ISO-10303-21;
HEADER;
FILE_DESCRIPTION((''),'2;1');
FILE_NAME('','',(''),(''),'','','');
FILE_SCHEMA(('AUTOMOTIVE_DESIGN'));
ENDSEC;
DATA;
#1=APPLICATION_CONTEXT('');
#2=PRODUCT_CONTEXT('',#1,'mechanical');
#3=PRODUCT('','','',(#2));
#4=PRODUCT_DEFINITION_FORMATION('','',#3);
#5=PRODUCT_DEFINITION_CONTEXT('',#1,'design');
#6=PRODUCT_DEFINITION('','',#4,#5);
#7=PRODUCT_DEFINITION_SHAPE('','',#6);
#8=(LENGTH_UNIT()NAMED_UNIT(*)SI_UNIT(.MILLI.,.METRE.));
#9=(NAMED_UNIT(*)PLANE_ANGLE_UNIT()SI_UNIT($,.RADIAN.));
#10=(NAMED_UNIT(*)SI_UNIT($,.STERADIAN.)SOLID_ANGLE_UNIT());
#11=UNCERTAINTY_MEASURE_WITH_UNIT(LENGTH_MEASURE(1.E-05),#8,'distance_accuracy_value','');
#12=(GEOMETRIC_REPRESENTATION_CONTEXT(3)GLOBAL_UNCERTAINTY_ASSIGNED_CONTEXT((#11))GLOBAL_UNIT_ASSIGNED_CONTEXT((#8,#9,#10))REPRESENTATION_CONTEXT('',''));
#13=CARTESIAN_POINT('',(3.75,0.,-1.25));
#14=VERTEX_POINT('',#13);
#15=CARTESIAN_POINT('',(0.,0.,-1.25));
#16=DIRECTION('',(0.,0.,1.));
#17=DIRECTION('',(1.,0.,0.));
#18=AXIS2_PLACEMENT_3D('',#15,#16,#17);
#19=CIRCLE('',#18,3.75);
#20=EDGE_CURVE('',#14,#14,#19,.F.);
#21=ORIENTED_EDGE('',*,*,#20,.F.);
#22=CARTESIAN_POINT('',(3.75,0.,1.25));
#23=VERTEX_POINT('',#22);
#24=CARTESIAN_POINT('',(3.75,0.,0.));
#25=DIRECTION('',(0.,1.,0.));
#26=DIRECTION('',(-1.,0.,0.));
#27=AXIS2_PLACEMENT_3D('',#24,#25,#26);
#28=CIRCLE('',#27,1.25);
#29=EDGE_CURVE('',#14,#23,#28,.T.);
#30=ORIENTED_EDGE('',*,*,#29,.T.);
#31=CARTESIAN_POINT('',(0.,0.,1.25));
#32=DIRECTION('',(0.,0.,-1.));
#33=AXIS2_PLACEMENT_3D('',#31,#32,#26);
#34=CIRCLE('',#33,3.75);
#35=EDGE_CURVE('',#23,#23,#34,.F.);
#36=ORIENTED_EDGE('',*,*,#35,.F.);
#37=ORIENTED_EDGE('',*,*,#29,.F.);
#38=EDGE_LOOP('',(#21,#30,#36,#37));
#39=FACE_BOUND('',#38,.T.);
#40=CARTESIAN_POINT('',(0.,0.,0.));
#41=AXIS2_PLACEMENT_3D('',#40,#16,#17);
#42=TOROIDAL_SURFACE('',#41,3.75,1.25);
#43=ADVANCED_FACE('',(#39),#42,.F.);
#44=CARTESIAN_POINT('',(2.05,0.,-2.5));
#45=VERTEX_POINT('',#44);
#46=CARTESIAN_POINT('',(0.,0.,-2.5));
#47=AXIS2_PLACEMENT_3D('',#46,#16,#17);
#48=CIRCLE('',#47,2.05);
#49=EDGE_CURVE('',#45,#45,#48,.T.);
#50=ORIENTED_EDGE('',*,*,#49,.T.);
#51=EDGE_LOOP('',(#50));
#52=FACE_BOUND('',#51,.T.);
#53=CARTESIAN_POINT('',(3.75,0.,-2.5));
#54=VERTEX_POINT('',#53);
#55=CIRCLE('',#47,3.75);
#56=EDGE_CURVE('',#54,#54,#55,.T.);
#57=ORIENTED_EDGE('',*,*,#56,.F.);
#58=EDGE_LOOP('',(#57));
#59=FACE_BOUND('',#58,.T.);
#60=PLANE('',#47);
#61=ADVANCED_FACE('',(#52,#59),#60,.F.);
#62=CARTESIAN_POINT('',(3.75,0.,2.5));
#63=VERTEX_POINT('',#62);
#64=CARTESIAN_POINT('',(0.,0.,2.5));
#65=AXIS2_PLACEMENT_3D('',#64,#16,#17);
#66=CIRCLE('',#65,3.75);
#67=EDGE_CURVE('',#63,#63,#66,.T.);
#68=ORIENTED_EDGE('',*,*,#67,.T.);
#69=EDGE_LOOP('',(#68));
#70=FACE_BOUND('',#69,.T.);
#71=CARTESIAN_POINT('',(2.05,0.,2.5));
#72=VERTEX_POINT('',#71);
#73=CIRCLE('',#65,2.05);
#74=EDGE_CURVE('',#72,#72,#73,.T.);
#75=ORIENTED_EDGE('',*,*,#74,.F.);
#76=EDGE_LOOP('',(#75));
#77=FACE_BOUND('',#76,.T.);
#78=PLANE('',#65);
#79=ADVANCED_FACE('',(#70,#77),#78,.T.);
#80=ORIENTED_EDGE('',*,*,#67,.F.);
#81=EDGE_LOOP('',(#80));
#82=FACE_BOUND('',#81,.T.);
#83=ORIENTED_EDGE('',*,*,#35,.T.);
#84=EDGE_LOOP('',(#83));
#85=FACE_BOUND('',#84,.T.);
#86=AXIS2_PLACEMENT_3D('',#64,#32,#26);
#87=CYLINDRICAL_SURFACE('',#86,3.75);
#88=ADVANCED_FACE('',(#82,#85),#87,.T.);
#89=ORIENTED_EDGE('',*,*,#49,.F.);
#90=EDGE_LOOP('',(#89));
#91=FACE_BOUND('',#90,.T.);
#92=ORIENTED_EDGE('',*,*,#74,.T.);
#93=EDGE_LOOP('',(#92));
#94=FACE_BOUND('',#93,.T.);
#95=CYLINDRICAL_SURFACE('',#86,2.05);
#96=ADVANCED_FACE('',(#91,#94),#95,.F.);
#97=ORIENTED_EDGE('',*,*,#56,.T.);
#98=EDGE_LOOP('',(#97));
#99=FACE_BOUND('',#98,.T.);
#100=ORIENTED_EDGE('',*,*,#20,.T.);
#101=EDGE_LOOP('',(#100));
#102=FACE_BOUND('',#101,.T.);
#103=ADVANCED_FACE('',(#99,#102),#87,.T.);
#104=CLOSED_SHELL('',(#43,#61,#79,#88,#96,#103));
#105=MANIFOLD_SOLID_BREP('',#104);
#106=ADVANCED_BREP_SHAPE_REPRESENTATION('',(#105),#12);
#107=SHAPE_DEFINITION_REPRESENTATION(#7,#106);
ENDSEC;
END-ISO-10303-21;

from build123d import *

# Parameters (mm, degrees)
SKETCH1_R            = 3.75
SKETCH1_R_2          = 2.05
BOSS_EXTRUDE1_DEPTH  = 2.5
CUT_SWEEP1_PROFILE_R = 1.25


with BuildPart() as part:
    # Sketch1 → Boss-Extrude1 (new body, symmetric)
    with BuildSketch(Plane.XY):
        Circle(SKETCH1_R)
        Circle(SKETCH1_R_2, mode=Mode.SUBTRACT)
    extrude(amount=BOSS_EXTRUDE1_DEPTH, both=True)

    # Cut-Sweep1: sweep along a path in Sketch2
    with BuildLine(Plane.XY) as cut_sweep1_path:
        CenterArc((0, 0), 3.75, 0, 360)
    # Cut-Sweep1 profile (on start of the path) → Cut-Sweep1 (sweep, cut)
    with BuildSketch(Plane(origin=(3.75, 0, 0), x_dir=(0, 0, 1), z_dir=(0, 1, 0))):
        Circle(CUT_SWEEP1_PROFILE_R)
    sweep(path=cut_sweep1_path.line, mode=Mode.SUBTRACT)


solid = part.part
